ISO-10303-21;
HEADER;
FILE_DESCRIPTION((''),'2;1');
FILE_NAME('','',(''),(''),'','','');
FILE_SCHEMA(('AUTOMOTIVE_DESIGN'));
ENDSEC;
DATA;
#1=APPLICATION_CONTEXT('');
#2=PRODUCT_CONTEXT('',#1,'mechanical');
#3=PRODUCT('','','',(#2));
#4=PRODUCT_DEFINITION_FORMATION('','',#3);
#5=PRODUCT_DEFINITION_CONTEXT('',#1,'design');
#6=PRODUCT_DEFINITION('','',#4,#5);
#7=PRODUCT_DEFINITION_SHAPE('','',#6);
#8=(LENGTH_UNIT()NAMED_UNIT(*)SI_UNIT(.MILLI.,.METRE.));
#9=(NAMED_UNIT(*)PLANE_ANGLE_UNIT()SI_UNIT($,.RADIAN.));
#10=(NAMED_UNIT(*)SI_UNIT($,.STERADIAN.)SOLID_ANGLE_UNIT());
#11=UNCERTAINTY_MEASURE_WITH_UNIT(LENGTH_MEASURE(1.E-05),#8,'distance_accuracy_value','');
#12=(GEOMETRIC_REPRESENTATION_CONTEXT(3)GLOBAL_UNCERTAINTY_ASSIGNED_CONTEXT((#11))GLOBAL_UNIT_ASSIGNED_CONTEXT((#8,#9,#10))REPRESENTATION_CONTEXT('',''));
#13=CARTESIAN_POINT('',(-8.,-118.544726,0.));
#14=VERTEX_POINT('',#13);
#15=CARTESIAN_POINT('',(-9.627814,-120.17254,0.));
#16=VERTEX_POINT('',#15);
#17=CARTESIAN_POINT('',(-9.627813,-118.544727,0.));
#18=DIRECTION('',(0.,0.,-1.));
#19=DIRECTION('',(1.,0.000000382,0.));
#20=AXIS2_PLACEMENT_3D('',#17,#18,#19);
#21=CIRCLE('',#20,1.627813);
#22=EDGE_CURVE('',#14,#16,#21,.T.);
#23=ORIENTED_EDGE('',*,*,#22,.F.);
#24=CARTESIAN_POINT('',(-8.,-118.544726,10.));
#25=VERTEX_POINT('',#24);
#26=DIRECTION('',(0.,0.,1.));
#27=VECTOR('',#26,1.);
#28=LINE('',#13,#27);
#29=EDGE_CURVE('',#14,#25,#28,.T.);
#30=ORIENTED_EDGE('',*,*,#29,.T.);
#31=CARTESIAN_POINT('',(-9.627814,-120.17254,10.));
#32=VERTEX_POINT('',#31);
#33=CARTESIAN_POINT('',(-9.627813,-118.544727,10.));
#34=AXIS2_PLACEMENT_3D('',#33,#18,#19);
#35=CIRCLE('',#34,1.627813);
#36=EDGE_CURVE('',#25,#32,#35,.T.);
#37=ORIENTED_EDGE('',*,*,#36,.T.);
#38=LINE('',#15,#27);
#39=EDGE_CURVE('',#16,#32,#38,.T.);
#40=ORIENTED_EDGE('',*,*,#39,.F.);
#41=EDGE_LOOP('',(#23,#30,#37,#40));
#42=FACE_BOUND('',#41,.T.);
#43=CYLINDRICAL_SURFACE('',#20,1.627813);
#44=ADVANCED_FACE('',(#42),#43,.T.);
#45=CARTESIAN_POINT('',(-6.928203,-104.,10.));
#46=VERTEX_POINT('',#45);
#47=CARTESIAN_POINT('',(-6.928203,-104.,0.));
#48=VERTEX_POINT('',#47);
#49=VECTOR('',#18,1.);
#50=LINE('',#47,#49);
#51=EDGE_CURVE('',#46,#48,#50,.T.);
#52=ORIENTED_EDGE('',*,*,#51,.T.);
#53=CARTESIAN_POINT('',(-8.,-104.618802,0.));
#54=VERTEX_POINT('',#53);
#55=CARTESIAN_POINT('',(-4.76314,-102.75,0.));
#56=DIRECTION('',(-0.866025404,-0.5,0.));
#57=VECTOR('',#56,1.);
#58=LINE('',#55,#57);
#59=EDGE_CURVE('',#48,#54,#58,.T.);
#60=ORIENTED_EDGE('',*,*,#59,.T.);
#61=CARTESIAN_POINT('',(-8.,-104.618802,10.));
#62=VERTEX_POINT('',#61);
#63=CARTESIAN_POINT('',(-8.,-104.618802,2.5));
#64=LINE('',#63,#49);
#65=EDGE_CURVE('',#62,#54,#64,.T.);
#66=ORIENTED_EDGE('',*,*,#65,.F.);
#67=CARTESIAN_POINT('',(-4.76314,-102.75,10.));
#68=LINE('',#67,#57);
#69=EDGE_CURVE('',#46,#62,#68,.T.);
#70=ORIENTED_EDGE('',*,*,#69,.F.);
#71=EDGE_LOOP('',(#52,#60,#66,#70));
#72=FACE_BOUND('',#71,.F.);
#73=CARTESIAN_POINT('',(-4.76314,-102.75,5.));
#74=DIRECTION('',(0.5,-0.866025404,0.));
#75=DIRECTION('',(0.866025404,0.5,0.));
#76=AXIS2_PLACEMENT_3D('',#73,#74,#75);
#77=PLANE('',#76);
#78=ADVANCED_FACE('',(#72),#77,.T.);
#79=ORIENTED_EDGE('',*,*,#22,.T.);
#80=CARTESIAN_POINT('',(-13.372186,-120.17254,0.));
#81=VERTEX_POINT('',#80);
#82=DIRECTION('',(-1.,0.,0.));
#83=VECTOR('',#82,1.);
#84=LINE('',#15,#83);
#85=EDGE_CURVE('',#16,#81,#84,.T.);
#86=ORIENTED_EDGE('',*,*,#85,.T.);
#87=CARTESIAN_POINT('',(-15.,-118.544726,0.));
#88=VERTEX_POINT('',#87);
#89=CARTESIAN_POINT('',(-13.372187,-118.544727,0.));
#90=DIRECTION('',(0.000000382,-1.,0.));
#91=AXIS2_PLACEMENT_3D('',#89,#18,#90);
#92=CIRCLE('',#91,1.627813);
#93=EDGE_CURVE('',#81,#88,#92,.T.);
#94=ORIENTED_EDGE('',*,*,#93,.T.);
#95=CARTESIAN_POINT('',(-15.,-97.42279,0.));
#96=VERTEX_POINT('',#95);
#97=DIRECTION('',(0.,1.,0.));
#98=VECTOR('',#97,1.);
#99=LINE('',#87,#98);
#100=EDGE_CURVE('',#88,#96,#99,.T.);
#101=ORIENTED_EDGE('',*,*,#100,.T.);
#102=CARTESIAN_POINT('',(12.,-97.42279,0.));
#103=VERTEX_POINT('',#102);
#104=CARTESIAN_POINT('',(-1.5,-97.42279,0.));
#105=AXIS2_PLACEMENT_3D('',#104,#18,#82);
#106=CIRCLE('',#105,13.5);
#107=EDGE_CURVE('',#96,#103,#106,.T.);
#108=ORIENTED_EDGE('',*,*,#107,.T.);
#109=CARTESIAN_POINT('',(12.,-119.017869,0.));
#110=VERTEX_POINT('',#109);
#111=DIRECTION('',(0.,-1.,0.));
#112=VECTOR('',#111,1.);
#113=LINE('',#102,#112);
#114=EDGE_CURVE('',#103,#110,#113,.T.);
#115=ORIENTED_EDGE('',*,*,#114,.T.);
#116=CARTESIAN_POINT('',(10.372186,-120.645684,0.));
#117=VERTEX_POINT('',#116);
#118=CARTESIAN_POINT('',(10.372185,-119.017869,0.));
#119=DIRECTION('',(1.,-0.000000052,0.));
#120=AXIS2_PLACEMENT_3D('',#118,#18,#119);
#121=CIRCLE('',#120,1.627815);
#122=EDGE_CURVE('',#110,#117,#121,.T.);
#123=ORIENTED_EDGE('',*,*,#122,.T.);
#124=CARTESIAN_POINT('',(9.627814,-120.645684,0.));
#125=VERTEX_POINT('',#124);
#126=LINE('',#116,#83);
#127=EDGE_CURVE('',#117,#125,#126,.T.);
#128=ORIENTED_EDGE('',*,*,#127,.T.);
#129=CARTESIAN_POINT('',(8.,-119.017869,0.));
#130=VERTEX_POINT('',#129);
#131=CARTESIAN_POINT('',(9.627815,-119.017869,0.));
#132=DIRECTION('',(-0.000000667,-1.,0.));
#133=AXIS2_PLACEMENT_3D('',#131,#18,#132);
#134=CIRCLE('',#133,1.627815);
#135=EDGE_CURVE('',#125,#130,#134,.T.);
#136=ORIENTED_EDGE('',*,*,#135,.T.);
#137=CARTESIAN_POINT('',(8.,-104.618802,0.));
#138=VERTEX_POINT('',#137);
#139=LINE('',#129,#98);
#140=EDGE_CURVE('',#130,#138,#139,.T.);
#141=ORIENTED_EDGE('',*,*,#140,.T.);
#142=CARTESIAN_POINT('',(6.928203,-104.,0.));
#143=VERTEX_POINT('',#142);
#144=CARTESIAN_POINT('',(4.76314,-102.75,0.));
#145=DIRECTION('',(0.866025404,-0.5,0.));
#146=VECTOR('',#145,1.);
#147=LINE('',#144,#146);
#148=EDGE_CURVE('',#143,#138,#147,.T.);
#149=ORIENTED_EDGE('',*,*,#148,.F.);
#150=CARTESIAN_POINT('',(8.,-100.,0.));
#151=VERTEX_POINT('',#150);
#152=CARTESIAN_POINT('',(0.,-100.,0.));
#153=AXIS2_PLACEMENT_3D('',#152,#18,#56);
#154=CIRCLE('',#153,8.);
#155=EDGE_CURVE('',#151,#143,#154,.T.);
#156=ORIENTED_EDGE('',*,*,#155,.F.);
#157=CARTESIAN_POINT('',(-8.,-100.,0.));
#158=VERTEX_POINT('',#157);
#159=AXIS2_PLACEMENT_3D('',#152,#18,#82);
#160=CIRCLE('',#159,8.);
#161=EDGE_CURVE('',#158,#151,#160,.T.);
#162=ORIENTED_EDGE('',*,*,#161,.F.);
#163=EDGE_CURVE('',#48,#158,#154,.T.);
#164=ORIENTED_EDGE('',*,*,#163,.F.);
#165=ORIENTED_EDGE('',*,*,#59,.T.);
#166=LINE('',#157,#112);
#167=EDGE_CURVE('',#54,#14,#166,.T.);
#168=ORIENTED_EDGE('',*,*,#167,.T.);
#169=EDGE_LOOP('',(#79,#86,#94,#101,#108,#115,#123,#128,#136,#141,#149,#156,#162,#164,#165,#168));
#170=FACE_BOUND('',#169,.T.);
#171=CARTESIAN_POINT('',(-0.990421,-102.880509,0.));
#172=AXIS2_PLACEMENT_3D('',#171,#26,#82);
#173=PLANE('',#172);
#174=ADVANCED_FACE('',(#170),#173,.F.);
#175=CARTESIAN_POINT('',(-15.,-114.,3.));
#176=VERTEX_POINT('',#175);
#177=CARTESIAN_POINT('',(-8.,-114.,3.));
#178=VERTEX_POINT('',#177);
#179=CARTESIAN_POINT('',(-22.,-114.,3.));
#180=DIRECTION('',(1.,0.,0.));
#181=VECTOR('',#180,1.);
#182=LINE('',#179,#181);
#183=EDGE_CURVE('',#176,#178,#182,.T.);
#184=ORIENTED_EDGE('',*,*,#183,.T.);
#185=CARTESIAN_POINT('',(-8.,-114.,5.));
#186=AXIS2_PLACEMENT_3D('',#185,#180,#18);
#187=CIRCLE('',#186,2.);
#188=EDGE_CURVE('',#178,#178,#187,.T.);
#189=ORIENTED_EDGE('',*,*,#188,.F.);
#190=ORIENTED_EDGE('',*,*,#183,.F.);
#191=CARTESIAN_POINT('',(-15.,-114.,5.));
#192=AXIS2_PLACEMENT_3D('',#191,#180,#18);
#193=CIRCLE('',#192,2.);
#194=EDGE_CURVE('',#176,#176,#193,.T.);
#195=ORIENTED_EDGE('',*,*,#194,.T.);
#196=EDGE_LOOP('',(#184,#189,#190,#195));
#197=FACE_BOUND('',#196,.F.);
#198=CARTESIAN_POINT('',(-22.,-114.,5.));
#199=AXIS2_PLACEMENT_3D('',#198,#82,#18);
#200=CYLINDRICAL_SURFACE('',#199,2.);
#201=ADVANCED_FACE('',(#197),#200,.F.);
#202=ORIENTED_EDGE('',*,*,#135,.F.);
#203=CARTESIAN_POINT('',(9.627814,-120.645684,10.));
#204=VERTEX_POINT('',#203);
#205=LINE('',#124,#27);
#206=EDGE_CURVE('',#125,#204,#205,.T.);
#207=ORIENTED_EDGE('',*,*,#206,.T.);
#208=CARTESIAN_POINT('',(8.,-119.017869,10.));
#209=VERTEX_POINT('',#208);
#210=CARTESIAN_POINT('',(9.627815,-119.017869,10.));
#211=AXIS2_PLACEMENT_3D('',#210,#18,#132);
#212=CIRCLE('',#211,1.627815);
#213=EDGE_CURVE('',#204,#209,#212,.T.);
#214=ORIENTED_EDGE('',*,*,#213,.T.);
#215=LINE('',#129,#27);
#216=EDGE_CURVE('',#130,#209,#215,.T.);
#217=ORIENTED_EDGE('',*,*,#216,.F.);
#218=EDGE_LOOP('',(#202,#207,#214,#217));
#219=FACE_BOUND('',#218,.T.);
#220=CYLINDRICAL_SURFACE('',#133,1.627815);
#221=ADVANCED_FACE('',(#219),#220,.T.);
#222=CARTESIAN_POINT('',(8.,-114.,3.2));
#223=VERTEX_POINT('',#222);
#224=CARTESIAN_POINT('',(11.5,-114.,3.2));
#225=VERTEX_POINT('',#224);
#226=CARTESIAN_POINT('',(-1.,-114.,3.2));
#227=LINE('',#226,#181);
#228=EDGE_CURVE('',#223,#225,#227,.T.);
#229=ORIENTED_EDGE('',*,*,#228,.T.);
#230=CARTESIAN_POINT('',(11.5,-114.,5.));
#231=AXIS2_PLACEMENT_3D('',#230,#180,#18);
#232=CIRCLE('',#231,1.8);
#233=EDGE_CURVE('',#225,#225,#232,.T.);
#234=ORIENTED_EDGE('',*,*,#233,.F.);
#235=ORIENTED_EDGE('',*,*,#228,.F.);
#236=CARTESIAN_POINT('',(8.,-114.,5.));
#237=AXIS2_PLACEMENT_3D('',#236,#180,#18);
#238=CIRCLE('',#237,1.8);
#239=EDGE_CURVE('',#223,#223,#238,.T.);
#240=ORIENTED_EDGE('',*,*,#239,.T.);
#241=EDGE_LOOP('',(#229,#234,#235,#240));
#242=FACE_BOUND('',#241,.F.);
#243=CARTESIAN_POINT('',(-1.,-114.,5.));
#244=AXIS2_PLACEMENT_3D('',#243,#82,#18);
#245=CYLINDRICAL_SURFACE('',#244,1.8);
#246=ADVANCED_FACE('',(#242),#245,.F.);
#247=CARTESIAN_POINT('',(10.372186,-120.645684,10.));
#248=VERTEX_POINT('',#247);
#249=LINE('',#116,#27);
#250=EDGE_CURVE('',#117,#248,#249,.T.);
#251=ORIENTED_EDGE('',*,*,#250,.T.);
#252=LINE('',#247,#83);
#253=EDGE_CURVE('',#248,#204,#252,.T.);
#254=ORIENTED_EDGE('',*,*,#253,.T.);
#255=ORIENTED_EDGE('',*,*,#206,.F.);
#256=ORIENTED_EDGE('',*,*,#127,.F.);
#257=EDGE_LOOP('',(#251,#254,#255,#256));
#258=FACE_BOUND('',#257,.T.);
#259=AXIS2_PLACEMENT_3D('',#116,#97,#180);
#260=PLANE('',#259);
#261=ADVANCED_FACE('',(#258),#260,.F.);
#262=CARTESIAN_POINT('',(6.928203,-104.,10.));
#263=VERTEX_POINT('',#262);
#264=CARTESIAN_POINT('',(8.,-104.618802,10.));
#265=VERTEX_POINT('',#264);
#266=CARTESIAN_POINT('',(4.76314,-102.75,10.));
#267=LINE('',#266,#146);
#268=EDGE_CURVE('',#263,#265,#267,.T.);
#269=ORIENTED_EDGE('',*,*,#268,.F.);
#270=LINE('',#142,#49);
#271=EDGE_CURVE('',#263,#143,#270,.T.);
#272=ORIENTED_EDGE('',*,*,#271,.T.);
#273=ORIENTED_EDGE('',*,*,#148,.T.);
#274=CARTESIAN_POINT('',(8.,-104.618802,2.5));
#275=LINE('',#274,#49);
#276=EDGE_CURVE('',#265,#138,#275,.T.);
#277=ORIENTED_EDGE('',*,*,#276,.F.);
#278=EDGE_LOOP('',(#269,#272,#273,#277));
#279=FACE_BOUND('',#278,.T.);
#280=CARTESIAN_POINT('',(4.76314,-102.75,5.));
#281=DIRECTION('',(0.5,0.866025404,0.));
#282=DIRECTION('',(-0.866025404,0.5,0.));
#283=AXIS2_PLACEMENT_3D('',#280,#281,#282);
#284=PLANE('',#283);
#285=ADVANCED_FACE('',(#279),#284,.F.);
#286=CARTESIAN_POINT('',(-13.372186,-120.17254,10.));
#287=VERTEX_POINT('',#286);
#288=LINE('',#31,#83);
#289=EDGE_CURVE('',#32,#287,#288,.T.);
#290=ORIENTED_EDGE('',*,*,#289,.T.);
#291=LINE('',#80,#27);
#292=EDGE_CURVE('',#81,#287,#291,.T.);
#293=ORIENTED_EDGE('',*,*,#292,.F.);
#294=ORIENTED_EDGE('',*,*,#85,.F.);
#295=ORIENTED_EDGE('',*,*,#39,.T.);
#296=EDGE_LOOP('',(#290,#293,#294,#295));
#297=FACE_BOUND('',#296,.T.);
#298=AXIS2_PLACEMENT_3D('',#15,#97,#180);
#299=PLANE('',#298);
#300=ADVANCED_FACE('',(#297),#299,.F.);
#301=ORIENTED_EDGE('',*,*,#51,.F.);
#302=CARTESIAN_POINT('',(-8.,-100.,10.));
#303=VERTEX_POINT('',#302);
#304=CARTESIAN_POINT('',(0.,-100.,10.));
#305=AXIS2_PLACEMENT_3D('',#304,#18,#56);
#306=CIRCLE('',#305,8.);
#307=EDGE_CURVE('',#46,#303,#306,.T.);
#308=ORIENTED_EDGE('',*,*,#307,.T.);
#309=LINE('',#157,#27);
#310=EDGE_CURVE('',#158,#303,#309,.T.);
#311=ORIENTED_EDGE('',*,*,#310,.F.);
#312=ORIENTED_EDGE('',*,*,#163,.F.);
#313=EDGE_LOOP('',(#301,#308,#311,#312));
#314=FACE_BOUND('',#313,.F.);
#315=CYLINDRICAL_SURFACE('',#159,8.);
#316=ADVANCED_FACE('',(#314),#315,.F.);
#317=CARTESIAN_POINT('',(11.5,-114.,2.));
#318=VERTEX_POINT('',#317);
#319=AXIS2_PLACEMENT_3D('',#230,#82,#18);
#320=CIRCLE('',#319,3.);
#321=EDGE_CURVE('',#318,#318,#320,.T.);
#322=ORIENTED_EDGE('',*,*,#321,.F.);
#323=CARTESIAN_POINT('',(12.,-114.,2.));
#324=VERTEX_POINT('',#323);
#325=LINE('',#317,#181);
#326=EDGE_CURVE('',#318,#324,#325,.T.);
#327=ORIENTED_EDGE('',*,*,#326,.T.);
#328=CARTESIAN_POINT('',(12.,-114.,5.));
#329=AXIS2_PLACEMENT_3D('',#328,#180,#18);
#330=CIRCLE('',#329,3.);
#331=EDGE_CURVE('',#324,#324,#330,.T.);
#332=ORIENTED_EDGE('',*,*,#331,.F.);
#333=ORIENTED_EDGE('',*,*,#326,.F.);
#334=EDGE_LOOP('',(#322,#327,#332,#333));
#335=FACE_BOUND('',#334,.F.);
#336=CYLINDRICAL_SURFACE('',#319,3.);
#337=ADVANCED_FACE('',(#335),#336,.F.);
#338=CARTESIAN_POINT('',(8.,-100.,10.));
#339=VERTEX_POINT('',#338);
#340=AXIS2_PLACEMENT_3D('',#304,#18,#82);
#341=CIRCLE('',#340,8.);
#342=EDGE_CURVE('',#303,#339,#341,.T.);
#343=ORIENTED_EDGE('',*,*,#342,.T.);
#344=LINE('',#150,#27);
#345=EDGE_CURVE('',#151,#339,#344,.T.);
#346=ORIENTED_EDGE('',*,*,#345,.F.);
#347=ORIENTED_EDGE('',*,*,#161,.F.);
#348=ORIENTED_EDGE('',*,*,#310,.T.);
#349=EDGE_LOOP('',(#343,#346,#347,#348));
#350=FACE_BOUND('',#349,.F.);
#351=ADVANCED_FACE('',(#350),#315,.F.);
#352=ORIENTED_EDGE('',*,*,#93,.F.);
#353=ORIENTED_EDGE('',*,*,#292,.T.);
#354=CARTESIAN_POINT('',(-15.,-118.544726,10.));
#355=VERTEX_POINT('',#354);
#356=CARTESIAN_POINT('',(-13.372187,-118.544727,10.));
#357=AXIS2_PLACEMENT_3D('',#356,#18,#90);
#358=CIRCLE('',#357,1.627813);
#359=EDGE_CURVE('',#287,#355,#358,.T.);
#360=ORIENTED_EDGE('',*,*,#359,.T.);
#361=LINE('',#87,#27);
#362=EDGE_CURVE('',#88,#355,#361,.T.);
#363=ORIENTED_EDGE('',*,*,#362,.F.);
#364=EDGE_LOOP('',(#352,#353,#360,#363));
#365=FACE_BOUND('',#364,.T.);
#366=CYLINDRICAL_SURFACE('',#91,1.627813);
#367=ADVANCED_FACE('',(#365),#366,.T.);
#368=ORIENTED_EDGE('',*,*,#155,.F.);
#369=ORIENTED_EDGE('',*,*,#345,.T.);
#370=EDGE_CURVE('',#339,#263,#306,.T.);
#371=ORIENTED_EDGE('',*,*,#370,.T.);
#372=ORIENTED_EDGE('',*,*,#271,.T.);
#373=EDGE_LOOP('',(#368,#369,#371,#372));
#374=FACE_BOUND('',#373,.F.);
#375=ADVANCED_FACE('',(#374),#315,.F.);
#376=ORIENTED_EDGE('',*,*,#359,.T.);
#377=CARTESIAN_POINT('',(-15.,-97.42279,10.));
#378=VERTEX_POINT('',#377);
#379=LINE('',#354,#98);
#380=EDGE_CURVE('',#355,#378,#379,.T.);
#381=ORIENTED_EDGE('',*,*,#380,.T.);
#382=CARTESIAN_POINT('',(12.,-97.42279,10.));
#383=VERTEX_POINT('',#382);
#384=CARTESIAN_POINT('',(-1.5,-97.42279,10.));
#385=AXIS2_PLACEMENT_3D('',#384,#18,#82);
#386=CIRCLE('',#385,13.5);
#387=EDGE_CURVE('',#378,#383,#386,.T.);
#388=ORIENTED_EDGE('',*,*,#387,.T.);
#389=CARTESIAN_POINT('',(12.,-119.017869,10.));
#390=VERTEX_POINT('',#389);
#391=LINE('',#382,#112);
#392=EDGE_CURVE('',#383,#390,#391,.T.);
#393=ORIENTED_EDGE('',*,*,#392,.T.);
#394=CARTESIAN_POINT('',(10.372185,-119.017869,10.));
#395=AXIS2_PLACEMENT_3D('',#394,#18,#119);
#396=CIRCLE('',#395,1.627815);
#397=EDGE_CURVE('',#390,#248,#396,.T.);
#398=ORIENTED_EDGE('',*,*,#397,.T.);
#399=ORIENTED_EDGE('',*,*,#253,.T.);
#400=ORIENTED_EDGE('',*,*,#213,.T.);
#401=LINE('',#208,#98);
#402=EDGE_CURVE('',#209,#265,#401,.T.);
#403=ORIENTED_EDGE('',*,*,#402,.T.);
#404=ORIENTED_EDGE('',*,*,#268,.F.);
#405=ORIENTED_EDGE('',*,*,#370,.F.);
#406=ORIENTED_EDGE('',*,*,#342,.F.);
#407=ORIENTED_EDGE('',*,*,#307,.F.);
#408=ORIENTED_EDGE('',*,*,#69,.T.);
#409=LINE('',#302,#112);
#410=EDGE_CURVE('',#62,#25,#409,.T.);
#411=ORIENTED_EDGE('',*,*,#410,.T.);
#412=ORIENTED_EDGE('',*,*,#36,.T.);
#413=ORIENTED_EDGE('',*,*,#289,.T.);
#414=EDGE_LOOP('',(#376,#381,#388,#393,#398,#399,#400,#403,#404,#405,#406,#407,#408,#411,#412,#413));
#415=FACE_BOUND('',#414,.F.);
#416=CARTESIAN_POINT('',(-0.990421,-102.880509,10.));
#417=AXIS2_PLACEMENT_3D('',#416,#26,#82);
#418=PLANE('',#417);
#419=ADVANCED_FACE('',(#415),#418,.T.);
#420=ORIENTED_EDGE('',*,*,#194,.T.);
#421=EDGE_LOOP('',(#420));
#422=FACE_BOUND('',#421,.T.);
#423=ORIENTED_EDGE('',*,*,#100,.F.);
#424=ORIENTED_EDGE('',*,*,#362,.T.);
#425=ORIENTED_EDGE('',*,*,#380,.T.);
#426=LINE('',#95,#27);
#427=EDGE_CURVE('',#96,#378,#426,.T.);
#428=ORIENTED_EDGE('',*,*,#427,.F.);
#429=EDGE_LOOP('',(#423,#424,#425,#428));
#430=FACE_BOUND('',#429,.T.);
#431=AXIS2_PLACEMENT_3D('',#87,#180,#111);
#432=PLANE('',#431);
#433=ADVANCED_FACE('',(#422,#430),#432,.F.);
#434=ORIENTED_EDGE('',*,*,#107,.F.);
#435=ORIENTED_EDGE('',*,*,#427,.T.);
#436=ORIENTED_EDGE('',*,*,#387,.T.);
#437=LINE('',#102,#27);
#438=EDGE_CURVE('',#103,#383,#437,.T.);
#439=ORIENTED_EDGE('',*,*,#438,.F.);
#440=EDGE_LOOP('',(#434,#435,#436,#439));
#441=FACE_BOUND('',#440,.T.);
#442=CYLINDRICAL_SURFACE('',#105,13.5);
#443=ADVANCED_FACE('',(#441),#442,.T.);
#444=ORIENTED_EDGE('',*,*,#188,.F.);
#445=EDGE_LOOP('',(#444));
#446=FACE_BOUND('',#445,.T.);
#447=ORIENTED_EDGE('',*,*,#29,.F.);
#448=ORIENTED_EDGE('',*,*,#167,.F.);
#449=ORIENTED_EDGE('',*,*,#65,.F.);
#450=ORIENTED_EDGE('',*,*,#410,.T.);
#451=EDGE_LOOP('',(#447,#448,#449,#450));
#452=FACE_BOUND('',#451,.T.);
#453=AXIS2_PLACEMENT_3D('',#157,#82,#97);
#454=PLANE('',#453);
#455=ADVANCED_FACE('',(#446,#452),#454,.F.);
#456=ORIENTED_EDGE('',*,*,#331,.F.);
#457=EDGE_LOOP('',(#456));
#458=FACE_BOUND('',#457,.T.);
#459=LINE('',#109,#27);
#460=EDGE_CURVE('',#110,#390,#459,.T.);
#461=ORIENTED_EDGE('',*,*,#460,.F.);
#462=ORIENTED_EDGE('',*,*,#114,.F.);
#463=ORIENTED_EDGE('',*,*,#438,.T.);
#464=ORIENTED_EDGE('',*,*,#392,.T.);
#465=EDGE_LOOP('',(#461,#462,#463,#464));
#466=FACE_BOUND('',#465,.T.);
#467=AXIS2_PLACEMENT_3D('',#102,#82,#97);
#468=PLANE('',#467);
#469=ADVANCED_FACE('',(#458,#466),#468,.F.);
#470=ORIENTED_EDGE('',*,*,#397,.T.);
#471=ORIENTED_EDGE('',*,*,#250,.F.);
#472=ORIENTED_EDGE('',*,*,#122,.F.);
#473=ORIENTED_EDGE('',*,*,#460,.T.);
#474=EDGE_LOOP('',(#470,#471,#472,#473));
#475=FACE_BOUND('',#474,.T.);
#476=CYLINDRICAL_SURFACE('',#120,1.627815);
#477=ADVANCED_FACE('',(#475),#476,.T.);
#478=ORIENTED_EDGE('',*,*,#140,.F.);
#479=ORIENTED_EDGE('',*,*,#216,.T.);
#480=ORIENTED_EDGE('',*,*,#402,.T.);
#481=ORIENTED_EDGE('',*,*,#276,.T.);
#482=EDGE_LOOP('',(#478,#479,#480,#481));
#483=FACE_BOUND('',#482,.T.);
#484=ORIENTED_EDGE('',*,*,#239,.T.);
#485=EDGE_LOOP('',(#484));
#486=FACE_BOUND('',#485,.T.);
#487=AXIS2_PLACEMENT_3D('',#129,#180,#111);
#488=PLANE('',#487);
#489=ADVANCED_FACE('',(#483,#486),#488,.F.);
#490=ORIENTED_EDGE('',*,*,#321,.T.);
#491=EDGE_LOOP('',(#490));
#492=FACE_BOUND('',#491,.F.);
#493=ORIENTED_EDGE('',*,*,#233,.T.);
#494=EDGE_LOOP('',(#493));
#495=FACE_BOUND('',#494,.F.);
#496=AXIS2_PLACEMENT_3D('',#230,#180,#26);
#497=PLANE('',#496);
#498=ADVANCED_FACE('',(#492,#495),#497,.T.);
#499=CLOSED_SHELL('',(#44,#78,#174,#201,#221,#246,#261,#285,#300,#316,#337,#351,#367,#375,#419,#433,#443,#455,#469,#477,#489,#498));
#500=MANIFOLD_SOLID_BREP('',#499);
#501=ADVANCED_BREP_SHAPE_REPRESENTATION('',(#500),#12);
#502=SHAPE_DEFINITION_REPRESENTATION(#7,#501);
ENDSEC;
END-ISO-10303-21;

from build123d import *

# Parameters (mm, degrees)
CYLINDER011024_R               = 1.8
CYLINDER011024_DEPTH           = 20
CYLINDER011020_R               = 3
CYLINDER011020_DEPTH           = 20
CYLINDER011027_R               = 2
CYLINDER011027_DEPTH           = 20
CYLINDER011022_R               = 8
CYLINDER011022_DEPTH           = 10
CYLINDER011023_W               = 11
CYLINDER011023_H               = 10
CYLINDER011023_ANGLE           = 240
CYLINDER011023_PLACEMENT_ANGLE = 150
PAD001_DEPTH                   = 10


with BuildPart() as bolt_hole004:
    # Cylinder011024 → Cylinder011024 (new body)
    with BuildSketch(Plane(origin=(-1, 14, 5), x_dir=(0, 0, -1), z_dir=(1, 0, 0))):
        Circle(CYLINDER011024_R)
    extrude(amount=CYLINDER011024_DEPTH)


with BuildPart() as bolt_head_hole001:
    # Cylinder011020 → Cylinder011020 (new body)
    with BuildSketch(Plane(origin=(11.5, 14, 5), x_dir=(0, 0, -1), z_dir=(1, 0, 0))):
        Circle(CYLINDER011020_R)
    extrude(amount=CYLINDER011020_DEPTH)


with BuildPart() as shaft_attachment_holde_fusion001:
    # Cylinder011027 → Cylinder011027 (new body)
    with BuildSketch(Plane(origin=(-22, 14, 5), x_dir=(0, 0, -1), z_dir=(1, 0, 0))):
        Circle(CYLINDER011027_R)
    extrude(amount=CYLINDER011027_DEPTH)

    # Fusion009: union bolt hole004, bolt head hole001
    add(bolt_hole004.part)
    add(bolt_head_hole001.part)


with BuildPart() as cylinder011022:
    # Cylinder011022 → Cylinder011022 (new body)
    with BuildSketch(Plane.XY):
        Circle(CYLINDER011022_R)
    extrude(amount=CYLINDER011022_DEPTH)


with BuildPart() as cut023015009018:
    # Cylinder011023 → Cylinder011023 (revolve)
    with BuildSketch(Plane.XZ):
        with Locations((5.5, 5)):
            Rectangle(CYLINDER011023_W, CYLINDER011023_H)
    revolve(axis=Axis((0, 0, 0), (0, 0, 1)), revolution_arc=CYLINDER011023_ANGLE)


with BuildPart() as cut023015009018_1:
    # Cylinder011023 placement: moved
    add(cut023015009018.part.rotate(Axis((0, 0, 0), (0, 0, 1)), CYLINDER011023_PLACEMENT_ANGLE))

    # Cut023015009018: cut Cylinder011022
    add(cylinder011022.part, mode=Mode.SUBTRACT)


with BuildPart() as shaft_attachment_cut001:
    # Sketch004 → Pad001 (new body)
    with BuildSketch(Plane.XY):
        with BuildLine():
            Line((12, -2.57721), (12, 19.017869))
            ThreePointArc((12, 19.017869), (11.523224, 20.168908), (10.372186, 20.645684))
            Line((10.372186, 20.645684), (9.627814, 20.645684))
            ThreePointArc((9.627814, 20.645684), (8.476776, 20.168908), (8, 19.017869))
            Line((8, 19.017869), (8, 0))
            ThreePointArc((-8, 0), (0, -8), (8, 0))
            Line((-8, 0), (-8, 18.544726))
            ThreePointArc((-8, 18.544726), (-8.476776, 19.695765), (-9.627814, 20.17254))
            Line((-9.627814, 20.17254), (-13.372186, 20.17254))
            ThreePointArc((-13.372186, 20.17254), (-14.523224, 19.695765), (-15, 18.544726))
            Line((-15, 18.544726), (-15, -2.57721))
            ThreePointArc((-15, -2.57721), (-1.5, -16.07721), (12, -2.57721))
        make_face()
    extrude(amount=PAD001_DEPTH)

    # Fusion008: union Cut023015009018
    add(cut023015009018_1.part)

    # Cut023015009017: cut shaft attachment holde fusion001
    add(shaft_attachment_holde_fusion001.part, mode=Mode.SUBTRACT)


with BuildPart() as part_mirroring003:
    # Part__Mirroring003: instance of shaft attachment  cut001
    add(shaft_attachment_cut001.part.mirror(Plane(origin=(0, -50, 0), x_dir=(1, 0, 0), z_dir=(0, 1, 0))))


solid = part_mirroring003.part
